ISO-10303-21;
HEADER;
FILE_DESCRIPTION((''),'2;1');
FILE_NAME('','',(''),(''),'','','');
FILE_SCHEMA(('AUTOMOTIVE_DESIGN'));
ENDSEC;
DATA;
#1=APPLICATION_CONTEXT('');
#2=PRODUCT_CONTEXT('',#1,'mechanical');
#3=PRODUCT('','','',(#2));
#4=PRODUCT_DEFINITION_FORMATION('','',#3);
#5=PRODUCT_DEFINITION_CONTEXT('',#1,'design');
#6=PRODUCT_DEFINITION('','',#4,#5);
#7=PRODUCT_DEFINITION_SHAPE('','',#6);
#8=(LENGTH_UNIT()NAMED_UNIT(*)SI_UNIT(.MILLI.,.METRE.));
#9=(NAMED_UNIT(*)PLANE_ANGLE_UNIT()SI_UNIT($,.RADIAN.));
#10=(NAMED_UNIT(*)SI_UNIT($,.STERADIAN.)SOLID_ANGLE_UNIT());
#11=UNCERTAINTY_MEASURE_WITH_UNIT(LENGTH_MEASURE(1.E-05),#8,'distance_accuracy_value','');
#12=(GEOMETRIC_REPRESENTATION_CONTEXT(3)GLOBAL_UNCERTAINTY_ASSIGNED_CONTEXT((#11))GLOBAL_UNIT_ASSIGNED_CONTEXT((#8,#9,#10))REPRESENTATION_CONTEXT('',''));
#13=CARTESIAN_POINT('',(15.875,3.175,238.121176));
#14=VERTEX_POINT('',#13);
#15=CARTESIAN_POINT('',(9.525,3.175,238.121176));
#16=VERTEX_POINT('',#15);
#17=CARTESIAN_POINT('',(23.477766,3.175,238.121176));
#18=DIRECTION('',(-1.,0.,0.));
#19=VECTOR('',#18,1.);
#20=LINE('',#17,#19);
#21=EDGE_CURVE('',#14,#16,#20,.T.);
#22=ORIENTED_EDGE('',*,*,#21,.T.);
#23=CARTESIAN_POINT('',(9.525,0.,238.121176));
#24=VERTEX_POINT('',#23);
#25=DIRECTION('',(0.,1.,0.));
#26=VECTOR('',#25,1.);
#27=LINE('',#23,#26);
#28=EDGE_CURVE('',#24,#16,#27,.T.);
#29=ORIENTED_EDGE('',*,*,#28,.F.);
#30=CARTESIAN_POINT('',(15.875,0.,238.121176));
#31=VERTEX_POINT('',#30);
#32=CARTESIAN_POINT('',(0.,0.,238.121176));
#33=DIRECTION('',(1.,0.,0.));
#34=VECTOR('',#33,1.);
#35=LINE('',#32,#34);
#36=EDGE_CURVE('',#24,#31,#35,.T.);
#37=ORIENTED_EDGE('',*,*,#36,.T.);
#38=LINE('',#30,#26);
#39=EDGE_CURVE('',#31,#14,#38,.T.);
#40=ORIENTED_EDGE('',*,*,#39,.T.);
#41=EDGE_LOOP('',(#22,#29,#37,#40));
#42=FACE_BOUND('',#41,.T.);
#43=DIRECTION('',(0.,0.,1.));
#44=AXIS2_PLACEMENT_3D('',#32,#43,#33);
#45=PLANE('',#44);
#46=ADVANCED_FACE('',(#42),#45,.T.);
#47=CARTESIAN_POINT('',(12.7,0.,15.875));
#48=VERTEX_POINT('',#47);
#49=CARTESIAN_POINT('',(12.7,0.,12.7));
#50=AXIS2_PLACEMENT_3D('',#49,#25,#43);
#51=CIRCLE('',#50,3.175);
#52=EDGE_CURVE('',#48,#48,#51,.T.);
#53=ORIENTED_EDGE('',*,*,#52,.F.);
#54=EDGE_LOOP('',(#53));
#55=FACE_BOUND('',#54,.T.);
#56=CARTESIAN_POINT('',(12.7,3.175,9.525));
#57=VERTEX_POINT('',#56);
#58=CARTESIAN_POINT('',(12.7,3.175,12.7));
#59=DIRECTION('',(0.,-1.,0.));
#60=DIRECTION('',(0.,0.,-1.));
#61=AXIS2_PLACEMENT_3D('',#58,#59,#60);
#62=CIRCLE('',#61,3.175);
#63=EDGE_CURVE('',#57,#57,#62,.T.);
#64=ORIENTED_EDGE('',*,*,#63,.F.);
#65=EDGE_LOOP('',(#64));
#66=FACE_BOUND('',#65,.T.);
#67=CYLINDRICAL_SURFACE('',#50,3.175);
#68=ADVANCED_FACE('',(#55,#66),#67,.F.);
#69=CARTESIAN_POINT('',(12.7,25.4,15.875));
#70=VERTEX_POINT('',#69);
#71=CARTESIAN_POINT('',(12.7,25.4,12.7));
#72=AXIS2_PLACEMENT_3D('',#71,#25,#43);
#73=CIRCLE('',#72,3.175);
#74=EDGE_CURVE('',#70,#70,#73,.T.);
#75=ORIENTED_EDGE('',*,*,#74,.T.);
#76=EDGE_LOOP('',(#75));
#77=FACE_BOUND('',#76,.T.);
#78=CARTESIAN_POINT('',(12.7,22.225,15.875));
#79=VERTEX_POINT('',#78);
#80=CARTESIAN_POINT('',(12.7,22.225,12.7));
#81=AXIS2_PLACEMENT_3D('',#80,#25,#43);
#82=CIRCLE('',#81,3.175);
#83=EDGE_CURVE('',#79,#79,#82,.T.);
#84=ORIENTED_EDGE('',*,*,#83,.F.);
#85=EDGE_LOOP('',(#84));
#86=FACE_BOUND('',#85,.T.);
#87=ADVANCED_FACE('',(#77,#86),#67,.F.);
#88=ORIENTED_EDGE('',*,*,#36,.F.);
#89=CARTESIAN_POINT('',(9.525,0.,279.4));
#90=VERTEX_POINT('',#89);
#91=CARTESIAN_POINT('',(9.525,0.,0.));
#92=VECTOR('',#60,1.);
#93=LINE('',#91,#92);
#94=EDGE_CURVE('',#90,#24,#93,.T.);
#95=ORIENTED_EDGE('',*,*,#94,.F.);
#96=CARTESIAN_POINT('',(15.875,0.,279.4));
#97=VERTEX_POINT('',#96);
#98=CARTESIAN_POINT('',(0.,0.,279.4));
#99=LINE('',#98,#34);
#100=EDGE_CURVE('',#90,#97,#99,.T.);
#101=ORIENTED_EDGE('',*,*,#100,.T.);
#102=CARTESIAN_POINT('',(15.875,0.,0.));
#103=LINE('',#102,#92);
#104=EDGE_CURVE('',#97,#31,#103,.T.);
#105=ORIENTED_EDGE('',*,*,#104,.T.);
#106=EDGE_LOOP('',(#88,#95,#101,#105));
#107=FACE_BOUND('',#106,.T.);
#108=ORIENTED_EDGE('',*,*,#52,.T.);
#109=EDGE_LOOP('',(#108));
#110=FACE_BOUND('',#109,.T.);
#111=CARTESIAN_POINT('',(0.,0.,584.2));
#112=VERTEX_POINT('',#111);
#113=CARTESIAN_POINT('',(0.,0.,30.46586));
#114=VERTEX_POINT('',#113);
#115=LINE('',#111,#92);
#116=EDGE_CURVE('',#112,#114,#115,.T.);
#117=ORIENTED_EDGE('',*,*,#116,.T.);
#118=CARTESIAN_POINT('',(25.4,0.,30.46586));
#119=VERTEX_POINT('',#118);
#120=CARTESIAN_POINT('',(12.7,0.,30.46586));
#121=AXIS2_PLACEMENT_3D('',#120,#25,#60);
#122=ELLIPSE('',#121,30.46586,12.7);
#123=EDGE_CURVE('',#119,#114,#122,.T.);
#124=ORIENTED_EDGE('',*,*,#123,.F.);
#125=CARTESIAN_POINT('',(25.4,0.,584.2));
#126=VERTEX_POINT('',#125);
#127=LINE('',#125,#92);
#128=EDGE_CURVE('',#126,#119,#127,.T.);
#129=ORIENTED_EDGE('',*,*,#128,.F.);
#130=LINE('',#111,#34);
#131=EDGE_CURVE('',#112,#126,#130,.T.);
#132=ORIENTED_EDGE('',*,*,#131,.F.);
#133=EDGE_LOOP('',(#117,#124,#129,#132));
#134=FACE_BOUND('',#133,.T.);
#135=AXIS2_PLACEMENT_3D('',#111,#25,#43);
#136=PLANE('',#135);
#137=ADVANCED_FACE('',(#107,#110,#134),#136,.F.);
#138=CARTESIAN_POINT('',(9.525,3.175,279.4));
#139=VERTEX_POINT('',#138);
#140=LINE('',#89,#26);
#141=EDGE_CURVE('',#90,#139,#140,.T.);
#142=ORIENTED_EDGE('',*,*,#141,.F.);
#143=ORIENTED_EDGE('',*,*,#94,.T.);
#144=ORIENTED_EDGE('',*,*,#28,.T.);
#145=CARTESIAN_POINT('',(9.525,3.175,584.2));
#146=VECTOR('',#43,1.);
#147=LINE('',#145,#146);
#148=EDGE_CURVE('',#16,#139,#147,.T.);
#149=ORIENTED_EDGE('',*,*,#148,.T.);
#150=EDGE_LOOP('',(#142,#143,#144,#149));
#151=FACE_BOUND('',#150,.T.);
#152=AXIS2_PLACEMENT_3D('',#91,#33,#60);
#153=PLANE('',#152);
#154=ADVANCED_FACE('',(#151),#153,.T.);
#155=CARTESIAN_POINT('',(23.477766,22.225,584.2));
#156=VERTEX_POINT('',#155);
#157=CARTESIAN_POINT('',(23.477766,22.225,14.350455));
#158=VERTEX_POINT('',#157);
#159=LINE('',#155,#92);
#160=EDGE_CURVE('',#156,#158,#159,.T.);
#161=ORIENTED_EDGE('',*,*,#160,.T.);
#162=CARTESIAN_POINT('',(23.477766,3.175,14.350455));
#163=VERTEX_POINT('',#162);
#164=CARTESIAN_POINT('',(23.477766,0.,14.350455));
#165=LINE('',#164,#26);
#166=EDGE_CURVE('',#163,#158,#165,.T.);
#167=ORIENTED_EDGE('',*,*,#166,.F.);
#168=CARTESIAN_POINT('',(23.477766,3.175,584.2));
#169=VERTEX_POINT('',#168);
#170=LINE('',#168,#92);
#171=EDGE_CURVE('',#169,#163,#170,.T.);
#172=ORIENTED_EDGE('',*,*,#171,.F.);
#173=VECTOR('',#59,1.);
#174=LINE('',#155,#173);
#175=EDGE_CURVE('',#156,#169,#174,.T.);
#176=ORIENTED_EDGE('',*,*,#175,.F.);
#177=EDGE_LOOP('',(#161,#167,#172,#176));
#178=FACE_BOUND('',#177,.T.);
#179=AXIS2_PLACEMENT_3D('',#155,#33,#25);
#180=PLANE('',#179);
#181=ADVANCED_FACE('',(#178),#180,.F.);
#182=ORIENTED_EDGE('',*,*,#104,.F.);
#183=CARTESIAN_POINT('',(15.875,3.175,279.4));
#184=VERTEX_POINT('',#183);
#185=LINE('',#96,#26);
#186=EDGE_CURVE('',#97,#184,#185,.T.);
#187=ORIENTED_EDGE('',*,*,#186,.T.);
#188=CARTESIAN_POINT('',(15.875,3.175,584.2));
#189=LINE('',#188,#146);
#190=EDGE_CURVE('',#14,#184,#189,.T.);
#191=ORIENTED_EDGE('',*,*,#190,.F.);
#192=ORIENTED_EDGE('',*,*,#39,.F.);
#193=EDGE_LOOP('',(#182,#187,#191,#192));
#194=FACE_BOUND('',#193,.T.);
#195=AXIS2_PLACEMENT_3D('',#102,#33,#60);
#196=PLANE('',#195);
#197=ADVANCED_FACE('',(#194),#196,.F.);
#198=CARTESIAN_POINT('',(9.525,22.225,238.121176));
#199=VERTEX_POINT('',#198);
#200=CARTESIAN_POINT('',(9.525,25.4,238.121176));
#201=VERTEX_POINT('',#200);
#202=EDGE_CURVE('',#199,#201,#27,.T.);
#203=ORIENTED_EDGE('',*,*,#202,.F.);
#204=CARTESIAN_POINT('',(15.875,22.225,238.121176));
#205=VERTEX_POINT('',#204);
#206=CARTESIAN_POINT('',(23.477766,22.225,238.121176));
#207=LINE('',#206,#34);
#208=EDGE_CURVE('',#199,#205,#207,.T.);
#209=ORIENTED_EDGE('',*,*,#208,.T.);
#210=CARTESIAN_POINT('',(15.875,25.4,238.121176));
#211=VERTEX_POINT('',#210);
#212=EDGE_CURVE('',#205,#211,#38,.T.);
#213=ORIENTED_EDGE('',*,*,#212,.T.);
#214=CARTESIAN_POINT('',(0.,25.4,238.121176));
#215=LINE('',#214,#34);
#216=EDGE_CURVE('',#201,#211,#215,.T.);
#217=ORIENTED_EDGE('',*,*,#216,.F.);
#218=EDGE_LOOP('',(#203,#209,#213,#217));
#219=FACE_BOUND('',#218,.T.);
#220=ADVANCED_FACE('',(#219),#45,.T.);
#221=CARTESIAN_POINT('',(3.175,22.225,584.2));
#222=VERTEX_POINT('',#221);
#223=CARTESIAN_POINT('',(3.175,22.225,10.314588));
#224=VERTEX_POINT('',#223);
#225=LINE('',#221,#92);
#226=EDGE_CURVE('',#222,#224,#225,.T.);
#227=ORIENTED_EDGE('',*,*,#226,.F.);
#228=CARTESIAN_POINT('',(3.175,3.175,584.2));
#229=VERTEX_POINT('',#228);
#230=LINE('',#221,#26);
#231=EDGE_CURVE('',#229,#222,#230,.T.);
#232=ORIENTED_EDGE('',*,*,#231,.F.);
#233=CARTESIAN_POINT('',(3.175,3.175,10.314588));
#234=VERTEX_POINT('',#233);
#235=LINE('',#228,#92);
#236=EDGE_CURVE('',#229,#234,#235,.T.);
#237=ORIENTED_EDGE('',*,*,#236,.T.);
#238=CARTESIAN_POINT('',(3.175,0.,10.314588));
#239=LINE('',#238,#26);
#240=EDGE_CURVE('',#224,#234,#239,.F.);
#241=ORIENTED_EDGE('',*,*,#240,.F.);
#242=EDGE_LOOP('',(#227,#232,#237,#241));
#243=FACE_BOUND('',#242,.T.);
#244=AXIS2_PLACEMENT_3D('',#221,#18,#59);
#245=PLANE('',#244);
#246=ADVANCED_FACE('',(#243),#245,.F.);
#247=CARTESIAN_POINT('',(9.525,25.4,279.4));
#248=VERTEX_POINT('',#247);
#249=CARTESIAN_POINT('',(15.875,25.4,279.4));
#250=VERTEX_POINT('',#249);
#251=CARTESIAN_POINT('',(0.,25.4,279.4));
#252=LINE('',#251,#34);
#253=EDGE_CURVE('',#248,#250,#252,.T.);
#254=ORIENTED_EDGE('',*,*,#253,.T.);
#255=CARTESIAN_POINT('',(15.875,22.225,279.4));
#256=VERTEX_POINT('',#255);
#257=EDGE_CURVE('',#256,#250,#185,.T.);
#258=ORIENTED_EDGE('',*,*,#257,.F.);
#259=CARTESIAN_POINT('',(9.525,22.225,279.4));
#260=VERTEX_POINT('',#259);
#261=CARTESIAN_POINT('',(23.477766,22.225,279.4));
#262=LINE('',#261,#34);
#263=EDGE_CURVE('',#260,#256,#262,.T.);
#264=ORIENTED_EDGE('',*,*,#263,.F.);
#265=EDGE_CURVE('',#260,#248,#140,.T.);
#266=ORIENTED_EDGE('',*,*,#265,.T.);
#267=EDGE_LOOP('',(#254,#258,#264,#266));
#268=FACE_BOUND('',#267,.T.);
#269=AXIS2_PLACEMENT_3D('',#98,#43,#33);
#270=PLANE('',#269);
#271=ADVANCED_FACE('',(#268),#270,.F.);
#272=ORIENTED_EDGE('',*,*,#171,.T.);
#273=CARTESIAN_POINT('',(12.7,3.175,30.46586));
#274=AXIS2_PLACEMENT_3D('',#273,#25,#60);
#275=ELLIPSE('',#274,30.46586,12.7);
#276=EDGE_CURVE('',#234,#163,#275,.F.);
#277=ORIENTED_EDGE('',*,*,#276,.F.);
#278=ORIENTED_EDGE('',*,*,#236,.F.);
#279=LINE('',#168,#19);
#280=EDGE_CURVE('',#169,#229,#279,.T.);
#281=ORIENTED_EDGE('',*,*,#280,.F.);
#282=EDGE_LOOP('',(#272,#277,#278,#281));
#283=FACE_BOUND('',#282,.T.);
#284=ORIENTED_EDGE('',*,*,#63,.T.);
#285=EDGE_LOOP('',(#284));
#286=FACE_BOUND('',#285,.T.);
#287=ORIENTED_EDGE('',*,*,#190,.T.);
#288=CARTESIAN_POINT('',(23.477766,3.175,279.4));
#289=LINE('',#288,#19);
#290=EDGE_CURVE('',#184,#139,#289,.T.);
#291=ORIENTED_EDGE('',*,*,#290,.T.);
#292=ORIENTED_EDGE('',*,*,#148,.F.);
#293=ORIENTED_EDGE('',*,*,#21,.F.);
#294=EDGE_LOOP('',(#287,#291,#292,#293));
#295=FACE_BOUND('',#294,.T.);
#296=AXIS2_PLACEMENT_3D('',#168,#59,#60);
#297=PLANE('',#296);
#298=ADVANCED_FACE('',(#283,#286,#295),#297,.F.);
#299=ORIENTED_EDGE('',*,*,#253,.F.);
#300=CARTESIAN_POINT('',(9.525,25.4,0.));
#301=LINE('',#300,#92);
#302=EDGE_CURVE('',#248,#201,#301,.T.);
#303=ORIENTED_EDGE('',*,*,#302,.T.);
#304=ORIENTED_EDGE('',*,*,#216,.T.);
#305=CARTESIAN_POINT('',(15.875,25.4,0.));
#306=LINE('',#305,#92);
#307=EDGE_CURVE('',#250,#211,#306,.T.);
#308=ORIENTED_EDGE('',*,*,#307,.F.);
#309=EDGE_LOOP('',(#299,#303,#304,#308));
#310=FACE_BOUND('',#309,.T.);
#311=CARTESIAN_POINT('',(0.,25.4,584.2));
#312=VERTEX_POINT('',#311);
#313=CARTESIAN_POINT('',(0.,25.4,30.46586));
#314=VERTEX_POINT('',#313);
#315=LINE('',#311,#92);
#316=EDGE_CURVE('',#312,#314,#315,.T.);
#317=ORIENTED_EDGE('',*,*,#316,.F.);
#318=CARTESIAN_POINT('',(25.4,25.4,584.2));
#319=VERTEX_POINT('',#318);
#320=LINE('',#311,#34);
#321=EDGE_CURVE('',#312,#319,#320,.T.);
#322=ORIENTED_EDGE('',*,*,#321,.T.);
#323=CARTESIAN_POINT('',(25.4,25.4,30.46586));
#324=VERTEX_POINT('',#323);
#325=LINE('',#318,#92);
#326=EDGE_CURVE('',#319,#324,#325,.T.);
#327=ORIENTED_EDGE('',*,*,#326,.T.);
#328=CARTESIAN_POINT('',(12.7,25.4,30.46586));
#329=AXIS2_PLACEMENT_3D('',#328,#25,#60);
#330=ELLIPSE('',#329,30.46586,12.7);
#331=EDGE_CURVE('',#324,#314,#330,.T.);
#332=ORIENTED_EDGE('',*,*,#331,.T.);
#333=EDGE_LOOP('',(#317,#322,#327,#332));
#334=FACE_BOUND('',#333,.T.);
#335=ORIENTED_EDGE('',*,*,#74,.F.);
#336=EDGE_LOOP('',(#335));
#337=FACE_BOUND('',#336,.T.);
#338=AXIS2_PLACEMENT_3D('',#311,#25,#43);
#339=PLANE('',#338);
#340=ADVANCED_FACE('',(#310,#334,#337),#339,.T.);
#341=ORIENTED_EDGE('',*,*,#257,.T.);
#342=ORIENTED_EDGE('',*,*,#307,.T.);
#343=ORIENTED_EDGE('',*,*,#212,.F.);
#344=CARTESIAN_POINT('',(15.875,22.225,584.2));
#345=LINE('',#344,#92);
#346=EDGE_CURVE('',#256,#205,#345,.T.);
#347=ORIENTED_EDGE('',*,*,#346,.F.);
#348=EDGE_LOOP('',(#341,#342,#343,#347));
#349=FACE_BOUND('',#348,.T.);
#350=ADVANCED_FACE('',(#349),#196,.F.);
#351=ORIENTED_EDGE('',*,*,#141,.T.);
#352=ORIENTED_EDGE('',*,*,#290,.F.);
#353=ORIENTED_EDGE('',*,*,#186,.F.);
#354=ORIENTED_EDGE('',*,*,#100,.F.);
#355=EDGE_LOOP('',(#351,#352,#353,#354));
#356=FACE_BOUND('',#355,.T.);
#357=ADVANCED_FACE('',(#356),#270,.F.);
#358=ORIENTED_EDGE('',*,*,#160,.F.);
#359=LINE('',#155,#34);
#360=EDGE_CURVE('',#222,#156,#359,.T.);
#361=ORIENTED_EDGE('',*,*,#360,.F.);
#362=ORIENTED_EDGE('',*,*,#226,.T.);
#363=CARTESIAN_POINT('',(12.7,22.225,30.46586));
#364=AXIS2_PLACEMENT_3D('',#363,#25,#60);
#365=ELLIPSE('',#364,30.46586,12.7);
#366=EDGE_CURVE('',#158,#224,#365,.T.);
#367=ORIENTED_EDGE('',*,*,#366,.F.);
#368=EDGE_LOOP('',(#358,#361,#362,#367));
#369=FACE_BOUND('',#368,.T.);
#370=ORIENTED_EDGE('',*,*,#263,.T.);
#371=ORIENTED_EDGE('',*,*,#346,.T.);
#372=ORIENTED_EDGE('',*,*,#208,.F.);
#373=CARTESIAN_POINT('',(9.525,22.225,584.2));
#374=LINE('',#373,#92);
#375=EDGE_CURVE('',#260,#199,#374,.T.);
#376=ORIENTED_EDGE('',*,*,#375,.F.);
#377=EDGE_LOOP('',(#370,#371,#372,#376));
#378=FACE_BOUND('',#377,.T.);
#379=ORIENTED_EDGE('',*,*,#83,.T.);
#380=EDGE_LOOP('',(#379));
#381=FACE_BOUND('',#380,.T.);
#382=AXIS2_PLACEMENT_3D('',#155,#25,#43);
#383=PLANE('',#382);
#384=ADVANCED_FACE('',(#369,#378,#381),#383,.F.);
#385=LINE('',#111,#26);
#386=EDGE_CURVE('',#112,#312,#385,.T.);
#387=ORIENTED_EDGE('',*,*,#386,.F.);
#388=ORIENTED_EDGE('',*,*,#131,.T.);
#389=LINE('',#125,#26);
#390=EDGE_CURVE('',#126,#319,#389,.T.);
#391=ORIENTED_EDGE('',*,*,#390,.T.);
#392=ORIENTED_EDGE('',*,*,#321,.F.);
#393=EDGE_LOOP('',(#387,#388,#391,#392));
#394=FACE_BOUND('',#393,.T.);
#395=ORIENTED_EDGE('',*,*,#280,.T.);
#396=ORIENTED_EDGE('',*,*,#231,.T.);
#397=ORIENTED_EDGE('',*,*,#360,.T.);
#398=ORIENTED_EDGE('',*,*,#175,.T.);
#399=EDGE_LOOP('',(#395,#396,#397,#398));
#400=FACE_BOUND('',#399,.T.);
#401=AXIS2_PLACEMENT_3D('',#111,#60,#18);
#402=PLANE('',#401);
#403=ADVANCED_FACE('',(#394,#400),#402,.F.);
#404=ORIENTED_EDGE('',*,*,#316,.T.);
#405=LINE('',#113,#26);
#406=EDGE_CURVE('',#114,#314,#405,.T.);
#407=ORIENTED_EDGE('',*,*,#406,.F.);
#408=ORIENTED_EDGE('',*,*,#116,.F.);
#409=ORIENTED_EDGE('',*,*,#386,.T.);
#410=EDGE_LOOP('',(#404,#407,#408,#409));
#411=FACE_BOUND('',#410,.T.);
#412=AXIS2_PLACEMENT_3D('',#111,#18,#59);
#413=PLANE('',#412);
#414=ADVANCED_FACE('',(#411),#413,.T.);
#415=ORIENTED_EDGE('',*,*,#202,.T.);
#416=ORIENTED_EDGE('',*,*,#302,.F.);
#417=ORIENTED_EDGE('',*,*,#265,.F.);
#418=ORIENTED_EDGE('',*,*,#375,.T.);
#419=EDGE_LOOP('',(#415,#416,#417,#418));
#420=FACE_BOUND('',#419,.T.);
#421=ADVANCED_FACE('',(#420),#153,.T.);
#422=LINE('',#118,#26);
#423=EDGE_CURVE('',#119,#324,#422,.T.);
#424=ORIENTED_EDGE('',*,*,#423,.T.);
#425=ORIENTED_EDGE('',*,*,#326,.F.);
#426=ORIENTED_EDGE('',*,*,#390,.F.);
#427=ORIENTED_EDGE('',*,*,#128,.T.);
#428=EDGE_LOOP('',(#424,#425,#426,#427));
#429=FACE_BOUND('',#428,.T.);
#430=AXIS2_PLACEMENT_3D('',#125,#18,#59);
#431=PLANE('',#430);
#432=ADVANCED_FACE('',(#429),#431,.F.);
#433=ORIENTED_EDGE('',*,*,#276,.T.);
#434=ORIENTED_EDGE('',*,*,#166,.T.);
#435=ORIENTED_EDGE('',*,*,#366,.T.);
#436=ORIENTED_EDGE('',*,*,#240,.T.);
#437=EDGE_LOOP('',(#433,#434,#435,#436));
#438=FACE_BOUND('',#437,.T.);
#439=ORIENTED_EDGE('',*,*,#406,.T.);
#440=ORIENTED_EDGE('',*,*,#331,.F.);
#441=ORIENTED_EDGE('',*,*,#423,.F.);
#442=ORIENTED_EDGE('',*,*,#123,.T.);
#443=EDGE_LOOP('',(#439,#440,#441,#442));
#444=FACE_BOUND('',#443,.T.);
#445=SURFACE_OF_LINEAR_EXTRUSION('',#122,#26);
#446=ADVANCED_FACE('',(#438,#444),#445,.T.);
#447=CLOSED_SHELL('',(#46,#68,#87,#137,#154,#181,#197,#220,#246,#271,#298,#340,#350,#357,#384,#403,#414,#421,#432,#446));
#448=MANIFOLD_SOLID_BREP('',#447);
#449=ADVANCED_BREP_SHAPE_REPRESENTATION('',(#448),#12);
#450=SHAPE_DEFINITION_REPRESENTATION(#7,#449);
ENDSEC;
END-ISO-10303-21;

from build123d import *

# Parameters (mm, degrees)
SKETCH1_W           = 25.4
SKETCH1_H           = 25.4
BOSS_EXTRUDE2_DEPTH = 584.2
SKETCH2_W           = 20.302766191
SKETCH2_H           = 19.05
CUT_EXTRUDE1_DEPTH  = 586.303305988
CUT_EXTRUDE2_DEPTH  = 586.303305988
SKETCH6_R           = 3.175
CUT_EXTRUDE5_DEPTH  = 586.303306096
SKETCH4_W           = 6.35
SKETCH4_H           = 41.278824243
CUT_EXTRUDE6_DEPTH  = 586.303306096


with BuildPart() as part:
    # Sketch1 → Boss-Extrude2 (new body)
    with BuildSketch(Plane.XY):
        with Locations((12.7, 12.7)):
            Rectangle(SKETCH1_W, SKETCH1_H)
    extrude(amount=BOSS_EXTRUDE2_DEPTH)

    # Sketch2 → Cut-Extrude1 (cut, through all)
    with BuildSketch(Plane(origin=(0, 0, 0), x_dir=(-1, 0, 0), z_dir=(0, 0, -1))):
        with Locations((-13.326383096, 12.7)):
            Rectangle(SKETCH2_W, SKETCH2_H)
    extrude(amount=-CUT_EXTRUDE1_DEPTH, mode=Mode.SUBTRACT)

    # Sketch3 → Cut-Extrude2 (cut, through all)
    with BuildSketch(Plane(origin=(0, 25.4, 0), x_dir=(1, 0, 0), z_dir=(0, 1, 0))):
        with BuildLine():
            add(Edge.make_bspline(
                [(12.7, 0), (0, 0), (0, -30.465860076)],
                knots=[6.283185307, 6.283185307, 6.283185307, 7.853981634, 7.853981634, 7.853981634], degree=2, weights=[1, 0.707106781, 1]))
            Line((12.7, 0), (0, 0))
            Line((0, 0), (0, -30.465860076))
        make_face()
        with BuildLine():
            Line((25.4, 0), (12.7, 0))
            add(Edge.make_bspline(
                [(25.4, -30.465860076), (25.4, 0), (12.7, 0)],
                knots=[4.71238898, 4.71238898, 4.71238898, 6.283185307, 6.283185307, 6.283185307], degree=2, weights=[1, 0.707106781, 1]))
            Line((25.4, -30.465860076), (25.4, 0))
        make_face()
    extrude(amount=-CUT_EXTRUDE2_DEPTH, mode=Mode.SUBTRACT)

    # Sketch6 → Cut-Extrude5 (cut, through all)
    with BuildSketch(Plane(origin=(0, 25.4, 0), x_dir=(1, 0, 0), z_dir=(0, 1, 0))):
        with Locations(Location((12.7, -12.7, 0), (0, 0, 270))):
            Circle(SKETCH6_R)
    extrude(amount=-CUT_EXTRUDE5_DEPTH, mode=Mode.SUBTRACT)

    # Sketch4 → Cut-Extrude6 (cut, through all)
    with BuildSketch(Plane(origin=(0, 25.4, 0), x_dir=(1, 0, 0), z_dir=(0, 1, 0))):
        with Locations((12.7, -258.760587879)):
            Rectangle(SKETCH4_W, SKETCH4_H)
    extrude(amount=-CUT_EXTRUDE6_DEPTH, mode=Mode.SUBTRACT)


solid = part.part
